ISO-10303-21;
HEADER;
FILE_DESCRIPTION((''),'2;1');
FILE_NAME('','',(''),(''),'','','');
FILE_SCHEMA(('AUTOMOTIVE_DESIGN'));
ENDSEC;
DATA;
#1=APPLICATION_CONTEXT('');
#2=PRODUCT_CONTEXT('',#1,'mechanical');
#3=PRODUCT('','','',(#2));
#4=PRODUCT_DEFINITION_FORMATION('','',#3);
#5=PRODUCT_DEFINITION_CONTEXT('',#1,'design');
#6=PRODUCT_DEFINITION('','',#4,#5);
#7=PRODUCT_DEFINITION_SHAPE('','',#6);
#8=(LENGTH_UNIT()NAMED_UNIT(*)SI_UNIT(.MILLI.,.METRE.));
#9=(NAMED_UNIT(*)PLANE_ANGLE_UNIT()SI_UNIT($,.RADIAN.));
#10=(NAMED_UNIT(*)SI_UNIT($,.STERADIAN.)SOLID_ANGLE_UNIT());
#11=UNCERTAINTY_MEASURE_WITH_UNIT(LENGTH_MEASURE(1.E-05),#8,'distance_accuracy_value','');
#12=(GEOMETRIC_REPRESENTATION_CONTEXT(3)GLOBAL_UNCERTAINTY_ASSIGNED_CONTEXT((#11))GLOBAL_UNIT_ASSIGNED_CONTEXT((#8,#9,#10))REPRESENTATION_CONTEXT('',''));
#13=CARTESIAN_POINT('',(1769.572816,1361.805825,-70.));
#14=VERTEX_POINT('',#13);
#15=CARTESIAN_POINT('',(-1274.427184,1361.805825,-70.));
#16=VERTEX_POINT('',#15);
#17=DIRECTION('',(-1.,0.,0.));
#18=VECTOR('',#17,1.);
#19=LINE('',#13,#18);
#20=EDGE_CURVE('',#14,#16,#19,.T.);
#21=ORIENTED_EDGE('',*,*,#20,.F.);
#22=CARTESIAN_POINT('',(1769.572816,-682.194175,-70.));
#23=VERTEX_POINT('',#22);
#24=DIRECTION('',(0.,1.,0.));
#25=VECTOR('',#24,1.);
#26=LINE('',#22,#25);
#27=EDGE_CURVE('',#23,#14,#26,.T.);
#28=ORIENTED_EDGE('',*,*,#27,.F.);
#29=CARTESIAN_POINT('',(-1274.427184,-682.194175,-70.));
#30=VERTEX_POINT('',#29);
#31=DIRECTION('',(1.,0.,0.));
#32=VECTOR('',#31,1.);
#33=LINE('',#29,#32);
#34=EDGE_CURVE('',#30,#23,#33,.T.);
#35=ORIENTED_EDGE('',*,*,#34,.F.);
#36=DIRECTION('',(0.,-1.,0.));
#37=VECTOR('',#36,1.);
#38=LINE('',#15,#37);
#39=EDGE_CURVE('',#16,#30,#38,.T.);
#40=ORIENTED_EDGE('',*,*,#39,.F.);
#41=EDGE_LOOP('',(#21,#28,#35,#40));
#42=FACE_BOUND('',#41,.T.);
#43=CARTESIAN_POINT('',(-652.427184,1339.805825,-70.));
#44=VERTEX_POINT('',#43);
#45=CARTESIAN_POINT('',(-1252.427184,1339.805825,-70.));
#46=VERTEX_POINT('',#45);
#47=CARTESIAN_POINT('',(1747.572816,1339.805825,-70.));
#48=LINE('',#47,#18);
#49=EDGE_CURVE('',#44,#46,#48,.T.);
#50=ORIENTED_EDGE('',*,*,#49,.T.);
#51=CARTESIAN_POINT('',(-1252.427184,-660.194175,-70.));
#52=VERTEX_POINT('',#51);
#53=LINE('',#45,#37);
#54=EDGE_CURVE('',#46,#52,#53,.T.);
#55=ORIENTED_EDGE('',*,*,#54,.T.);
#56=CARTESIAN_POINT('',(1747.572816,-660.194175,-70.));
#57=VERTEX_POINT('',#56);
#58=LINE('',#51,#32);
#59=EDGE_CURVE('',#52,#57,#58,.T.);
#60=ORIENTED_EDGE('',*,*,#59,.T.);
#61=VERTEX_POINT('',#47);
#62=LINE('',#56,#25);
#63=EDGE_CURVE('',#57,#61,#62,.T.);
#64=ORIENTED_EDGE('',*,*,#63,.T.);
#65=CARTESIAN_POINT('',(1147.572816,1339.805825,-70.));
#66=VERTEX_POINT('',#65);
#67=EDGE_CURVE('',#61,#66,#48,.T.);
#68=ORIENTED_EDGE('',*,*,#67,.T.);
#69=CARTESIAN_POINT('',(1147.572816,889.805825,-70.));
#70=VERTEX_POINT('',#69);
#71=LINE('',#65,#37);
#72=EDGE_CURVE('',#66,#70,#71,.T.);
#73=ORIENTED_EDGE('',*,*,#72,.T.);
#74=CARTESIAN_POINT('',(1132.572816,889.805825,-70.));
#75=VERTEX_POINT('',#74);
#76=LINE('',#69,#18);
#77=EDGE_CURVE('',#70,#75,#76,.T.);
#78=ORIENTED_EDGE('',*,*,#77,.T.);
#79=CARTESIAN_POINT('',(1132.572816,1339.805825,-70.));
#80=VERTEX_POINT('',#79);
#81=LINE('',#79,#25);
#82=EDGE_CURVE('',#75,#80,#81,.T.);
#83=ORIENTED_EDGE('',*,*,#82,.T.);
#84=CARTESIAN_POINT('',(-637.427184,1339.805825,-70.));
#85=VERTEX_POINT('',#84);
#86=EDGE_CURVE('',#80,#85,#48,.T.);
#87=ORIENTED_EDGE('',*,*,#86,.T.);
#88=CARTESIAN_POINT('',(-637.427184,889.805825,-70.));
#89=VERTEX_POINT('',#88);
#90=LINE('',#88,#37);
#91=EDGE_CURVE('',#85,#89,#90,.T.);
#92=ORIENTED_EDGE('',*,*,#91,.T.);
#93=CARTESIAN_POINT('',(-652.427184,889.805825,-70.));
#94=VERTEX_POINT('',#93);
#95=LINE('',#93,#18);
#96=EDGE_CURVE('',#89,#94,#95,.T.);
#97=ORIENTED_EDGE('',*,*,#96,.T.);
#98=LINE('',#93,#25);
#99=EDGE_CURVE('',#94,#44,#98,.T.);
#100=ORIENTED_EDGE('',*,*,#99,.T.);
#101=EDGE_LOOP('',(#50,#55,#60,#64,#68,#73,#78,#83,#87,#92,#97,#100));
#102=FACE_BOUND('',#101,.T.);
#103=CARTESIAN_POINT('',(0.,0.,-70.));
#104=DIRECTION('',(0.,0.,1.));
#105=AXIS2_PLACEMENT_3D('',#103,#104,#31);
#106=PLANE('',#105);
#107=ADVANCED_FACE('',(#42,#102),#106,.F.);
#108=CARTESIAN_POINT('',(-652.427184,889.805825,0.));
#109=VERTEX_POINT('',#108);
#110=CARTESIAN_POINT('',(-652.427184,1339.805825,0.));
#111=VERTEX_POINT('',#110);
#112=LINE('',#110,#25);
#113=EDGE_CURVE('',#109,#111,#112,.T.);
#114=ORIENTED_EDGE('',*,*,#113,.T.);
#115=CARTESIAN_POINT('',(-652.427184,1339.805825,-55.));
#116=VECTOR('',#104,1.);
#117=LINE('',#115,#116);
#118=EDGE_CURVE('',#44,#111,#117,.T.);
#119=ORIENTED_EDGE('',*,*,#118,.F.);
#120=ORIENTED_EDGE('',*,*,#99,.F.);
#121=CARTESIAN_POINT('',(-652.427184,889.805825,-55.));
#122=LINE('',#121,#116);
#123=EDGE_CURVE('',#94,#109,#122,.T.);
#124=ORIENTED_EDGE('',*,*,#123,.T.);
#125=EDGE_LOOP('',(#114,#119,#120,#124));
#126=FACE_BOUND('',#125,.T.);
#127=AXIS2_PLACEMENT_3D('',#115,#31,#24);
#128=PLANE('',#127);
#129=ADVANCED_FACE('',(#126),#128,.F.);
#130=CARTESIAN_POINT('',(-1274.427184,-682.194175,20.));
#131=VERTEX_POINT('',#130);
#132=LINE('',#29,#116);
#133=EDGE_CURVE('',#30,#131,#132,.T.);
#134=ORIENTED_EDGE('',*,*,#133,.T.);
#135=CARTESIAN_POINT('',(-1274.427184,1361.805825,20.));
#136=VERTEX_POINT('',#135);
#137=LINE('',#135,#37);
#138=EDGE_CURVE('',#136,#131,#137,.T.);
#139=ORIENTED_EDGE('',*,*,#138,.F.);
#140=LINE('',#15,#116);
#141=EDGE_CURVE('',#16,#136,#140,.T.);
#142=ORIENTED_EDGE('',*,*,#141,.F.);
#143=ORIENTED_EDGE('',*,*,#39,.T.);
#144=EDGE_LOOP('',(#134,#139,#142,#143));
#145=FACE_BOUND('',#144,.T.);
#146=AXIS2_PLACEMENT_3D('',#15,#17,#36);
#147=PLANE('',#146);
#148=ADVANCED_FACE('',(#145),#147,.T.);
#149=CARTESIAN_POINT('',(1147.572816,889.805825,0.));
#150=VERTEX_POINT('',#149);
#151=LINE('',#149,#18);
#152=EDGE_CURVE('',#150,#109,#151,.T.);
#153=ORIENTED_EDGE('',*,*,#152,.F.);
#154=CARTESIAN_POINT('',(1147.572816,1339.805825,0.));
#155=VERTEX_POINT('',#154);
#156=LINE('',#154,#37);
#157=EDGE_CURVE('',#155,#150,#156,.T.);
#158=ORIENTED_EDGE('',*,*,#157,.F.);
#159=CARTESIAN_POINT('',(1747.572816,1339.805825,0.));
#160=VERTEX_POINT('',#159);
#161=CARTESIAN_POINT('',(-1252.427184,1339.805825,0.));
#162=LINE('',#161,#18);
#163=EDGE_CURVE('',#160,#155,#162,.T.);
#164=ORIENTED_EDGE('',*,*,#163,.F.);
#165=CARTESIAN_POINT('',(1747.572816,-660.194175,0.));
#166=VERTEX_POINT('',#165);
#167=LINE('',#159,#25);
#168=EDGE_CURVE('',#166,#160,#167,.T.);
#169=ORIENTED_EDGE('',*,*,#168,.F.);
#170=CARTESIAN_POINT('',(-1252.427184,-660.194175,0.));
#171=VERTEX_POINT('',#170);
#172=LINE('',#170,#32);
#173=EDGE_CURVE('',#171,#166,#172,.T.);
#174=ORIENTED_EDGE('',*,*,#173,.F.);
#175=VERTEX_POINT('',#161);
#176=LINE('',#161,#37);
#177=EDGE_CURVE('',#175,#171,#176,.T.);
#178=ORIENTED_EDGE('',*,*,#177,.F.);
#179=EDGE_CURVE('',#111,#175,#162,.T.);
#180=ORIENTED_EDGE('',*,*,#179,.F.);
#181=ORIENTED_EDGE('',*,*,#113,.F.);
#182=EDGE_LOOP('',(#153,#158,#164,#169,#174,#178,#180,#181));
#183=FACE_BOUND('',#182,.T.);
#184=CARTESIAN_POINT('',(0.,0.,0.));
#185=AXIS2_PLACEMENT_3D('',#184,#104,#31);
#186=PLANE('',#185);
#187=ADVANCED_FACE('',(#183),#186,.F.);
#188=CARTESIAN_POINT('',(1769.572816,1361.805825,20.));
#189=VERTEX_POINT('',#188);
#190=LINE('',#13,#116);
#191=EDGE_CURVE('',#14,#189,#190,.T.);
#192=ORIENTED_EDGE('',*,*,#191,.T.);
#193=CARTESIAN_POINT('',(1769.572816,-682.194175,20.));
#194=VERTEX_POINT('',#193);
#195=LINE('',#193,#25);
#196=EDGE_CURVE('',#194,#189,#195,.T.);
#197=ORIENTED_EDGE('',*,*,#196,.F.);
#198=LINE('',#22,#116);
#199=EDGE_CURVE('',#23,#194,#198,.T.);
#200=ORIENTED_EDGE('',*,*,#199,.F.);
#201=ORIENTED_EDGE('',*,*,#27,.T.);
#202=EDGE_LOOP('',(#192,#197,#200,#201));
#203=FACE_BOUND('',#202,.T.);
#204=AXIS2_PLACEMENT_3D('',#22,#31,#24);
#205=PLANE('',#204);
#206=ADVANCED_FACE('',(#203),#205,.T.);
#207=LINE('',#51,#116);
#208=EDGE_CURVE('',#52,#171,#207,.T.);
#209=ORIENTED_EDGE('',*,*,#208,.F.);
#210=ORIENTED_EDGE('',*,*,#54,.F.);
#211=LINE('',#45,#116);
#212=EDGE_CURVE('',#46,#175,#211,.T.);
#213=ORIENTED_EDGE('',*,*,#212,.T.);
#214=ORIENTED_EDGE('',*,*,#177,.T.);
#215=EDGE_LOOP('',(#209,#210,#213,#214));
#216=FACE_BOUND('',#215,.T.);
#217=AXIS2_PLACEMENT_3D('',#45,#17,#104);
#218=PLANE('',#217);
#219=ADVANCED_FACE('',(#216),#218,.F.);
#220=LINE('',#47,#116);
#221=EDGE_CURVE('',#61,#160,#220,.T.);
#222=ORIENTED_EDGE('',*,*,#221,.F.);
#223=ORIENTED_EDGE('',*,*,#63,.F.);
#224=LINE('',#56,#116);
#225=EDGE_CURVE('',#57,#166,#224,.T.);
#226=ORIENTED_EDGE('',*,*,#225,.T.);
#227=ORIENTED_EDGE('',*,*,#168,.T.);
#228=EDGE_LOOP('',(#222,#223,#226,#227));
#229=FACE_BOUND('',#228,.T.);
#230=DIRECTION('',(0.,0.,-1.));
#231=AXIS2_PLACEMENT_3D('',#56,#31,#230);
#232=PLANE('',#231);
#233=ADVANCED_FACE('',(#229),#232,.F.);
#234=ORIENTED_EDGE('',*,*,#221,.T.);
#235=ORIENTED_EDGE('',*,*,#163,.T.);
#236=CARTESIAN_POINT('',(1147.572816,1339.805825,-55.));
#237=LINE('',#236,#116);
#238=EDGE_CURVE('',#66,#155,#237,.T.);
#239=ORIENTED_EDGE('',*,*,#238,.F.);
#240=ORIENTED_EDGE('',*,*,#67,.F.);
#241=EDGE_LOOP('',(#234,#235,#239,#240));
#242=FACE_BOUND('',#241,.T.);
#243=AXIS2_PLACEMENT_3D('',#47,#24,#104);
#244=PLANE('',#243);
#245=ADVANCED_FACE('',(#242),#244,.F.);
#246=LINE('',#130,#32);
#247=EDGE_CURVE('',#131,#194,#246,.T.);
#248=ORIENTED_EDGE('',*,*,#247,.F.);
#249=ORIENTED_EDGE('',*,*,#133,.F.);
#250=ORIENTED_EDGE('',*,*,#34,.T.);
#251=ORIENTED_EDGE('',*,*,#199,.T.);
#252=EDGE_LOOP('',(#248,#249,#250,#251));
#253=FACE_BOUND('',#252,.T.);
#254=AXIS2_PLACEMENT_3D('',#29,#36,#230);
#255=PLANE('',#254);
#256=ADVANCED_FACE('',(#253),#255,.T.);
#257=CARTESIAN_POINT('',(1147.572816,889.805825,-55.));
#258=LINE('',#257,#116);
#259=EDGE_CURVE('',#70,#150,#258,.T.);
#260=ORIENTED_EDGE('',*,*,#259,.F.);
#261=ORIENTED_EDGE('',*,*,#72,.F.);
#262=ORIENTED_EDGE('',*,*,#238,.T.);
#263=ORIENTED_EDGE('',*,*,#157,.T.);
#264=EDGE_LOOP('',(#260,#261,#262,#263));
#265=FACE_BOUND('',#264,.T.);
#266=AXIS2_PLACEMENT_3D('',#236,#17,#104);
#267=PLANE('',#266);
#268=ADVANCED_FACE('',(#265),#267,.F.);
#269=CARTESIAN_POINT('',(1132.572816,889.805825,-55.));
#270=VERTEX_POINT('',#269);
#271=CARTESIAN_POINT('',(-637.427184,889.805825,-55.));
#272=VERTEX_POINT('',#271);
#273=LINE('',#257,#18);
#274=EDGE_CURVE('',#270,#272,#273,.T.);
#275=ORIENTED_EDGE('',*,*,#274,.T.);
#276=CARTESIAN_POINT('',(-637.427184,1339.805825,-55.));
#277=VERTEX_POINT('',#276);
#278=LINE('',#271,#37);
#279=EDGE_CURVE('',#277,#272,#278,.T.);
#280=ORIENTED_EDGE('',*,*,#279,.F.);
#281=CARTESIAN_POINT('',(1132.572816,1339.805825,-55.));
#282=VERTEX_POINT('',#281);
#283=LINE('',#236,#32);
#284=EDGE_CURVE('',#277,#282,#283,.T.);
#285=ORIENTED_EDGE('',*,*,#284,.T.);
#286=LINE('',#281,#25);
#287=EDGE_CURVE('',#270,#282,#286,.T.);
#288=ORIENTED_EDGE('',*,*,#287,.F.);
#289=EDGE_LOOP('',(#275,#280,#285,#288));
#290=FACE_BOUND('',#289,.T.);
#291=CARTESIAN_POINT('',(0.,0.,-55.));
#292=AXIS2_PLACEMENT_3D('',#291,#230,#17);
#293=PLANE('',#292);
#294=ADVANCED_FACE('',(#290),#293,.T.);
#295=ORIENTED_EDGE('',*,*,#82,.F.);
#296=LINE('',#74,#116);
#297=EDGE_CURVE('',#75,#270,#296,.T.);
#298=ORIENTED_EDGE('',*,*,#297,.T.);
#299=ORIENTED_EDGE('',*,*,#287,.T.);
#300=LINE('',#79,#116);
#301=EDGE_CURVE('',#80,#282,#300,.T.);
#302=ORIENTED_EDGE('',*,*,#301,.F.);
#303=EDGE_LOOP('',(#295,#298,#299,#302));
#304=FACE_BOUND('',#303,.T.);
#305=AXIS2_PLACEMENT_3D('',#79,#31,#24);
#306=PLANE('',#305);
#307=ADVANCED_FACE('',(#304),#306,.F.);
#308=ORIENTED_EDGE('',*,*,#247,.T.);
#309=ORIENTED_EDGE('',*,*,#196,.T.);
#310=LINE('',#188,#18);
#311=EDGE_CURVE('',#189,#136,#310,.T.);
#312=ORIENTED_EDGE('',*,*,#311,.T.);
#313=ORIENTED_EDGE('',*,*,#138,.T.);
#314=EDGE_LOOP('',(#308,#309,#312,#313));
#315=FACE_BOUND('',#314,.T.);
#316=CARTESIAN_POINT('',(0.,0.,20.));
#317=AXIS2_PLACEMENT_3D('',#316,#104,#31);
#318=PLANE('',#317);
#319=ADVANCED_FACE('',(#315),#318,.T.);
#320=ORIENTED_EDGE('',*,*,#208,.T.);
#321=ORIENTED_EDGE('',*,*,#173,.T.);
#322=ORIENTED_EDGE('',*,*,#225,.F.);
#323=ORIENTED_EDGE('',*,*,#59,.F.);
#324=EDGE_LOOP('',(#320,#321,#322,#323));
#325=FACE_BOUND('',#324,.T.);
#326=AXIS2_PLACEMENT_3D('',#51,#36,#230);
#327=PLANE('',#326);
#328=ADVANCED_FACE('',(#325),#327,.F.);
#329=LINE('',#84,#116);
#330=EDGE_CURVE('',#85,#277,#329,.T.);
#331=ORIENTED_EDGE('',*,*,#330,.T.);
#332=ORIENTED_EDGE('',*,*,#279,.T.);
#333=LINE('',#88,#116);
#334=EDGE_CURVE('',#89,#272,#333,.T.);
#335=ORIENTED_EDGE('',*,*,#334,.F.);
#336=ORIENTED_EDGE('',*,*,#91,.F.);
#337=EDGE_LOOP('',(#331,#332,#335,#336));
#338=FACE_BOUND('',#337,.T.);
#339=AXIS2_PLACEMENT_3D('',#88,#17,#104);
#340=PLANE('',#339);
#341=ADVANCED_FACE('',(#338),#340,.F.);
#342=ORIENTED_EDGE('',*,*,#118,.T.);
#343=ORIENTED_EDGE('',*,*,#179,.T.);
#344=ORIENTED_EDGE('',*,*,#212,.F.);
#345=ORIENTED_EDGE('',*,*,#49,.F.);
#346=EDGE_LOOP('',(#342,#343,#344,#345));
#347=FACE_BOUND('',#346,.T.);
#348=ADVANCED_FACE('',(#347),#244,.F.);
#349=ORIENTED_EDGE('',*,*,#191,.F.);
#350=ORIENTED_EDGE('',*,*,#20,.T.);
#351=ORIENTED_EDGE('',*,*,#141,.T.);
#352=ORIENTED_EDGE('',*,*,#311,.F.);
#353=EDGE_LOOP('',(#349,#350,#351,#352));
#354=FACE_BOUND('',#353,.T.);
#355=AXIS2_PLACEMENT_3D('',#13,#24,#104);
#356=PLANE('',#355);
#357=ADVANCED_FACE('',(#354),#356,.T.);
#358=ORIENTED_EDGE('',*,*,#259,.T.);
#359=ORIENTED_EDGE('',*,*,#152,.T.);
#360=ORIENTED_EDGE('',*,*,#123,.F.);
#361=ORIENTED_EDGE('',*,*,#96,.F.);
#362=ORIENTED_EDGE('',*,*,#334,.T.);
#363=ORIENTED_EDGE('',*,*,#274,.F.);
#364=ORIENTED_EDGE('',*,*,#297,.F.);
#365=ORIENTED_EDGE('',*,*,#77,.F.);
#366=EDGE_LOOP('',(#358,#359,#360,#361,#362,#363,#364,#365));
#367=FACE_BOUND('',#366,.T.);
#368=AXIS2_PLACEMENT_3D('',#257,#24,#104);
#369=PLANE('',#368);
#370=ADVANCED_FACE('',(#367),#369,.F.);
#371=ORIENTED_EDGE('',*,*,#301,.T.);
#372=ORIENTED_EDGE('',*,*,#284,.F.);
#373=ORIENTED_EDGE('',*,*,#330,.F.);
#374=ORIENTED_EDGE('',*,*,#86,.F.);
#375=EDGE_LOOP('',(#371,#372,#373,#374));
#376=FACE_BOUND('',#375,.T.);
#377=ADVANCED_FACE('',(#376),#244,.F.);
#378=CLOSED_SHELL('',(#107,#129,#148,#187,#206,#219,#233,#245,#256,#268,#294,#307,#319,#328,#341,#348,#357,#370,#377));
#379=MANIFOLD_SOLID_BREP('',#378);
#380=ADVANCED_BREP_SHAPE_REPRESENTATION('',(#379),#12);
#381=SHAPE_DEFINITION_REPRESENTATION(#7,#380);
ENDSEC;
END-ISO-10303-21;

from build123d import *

# Parameters (mm, degrees)
ESQUISSE1_W        = 3000
ESQUISSE1_H        = 2000
BOSS_EXTRU_1_DEPTH = 20
ESQUISSE2_W        = 3044
ESQUISSE2_H        = 2044
ESQUISSE2_W_2      = 3000
ESQUISSE2_H_2      = 2000
BOSS_EXTRU_2_DEPTH = 90
ESQUISSE3_W        = 1800
ESQUISSE3_H        = 450
BOSS_EXTRU_3_DEPTH = 55
ESQUISSE4_W        = 15
ESQUISSE4_H        = 450
BOSS_EXTRU_4_DEPTH = 15


with BuildPart() as part:
    # Esquisse1 → Boss.-Extru.1 (new body)
    with BuildSketch(Plane.XY):
        with Locations((247.572815534, 339.805825243)):
            Rectangle(ESQUISSE1_W, ESQUISSE1_H)
    extrude(amount=BOSS_EXTRU_1_DEPTH)

    # Esquisse2 → Boss.-Extru.2 (add)
    with BuildSketch(Plane.XY.offset(20)):
        with Locations((247.572815534, 339.805825243)):
            Rectangle(ESQUISSE2_W, ESQUISSE2_H)
        with Locations((247.572815534, 339.805825243)):
            Rectangle(ESQUISSE2_W_2, ESQUISSE2_H_2, mode=Mode.SUBTRACT)
    extrude(amount=-BOSS_EXTRU_2_DEPTH)

    # Esquisse3 → Boss.-Extru.3 (add)
    with BuildSketch(Plane(origin=(0, 0, 0), x_dir=(-1, 0, 0), z_dir=(0, 0, -1))):
        with Locations((-247.572815534, 1114.805825243)):
            Rectangle(ESQUISSE3_W, ESQUISSE3_H)
    extrude(amount=BOSS_EXTRU_3_DEPTH)

    # Esquisse4 → Boss.-Extru.4 (add)
    with BuildSketch(Plane(origin=(0, 0, -55), x_dir=(-1, 0, 0), z_dir=(0, 0, -1))):
        with Locations((-1140.072815534, 1114.805825243)):
            Rectangle(ESQUISSE4_W, ESQUISSE4_H)
        with Locations((644.927184466, 1114.805825243)):
            Rectangle(ESQUISSE4_W, ESQUISSE4_H)
    extrude(amount=BOSS_EXTRU_4_DEPTH)


solid = part.part
